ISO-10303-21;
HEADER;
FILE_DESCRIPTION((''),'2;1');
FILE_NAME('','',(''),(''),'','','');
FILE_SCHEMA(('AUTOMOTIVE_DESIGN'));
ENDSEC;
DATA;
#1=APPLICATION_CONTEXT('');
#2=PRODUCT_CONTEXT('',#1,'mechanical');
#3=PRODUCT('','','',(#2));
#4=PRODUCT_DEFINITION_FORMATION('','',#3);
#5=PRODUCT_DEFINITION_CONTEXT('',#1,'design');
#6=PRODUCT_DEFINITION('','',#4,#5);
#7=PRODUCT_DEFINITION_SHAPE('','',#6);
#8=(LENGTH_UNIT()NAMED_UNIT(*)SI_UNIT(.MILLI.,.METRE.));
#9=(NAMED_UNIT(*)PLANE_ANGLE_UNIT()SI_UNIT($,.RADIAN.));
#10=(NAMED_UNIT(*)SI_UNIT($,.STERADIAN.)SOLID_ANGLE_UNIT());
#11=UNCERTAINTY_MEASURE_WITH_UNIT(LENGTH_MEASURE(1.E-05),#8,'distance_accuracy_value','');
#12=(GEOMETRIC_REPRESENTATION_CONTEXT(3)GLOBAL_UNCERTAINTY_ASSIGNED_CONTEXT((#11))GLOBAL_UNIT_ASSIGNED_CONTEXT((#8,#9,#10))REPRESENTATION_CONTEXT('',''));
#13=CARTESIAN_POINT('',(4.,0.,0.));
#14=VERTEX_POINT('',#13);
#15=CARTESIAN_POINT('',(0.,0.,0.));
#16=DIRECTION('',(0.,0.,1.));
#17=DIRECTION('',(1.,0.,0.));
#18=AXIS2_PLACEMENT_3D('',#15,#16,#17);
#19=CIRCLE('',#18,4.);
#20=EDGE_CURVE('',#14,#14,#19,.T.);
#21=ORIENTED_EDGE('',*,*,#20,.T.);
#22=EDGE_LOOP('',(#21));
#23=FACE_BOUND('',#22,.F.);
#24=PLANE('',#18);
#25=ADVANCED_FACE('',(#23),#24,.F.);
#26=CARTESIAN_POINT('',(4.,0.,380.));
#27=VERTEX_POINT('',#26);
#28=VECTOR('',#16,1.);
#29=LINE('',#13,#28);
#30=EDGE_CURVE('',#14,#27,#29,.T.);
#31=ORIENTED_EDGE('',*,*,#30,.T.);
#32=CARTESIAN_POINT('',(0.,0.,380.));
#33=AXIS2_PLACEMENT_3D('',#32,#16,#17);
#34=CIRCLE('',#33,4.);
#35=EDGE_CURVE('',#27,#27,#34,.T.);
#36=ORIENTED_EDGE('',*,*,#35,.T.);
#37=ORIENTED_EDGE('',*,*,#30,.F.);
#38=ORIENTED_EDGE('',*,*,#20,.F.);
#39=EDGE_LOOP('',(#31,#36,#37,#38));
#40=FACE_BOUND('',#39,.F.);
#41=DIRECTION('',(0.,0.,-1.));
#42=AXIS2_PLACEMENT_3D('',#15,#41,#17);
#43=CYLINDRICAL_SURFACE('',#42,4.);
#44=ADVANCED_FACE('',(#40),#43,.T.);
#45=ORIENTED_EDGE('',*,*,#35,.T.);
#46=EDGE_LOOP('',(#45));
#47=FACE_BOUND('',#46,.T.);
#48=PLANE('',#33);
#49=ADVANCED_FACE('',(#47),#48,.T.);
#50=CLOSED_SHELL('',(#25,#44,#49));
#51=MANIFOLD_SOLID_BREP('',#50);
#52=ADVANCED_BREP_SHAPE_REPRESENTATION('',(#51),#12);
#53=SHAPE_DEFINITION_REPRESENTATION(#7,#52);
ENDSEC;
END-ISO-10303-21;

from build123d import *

# Parameters (mm, degrees)
SKETCH_R  = 4
PAD_DEPTH = 380


with BuildPart() as part:
    # Sketch → Pad (new body)
    with BuildSketch(Plane.XY):
        Circle(SKETCH_R)
    extrude(amount=PAD_DEPTH)


solid = part.part
